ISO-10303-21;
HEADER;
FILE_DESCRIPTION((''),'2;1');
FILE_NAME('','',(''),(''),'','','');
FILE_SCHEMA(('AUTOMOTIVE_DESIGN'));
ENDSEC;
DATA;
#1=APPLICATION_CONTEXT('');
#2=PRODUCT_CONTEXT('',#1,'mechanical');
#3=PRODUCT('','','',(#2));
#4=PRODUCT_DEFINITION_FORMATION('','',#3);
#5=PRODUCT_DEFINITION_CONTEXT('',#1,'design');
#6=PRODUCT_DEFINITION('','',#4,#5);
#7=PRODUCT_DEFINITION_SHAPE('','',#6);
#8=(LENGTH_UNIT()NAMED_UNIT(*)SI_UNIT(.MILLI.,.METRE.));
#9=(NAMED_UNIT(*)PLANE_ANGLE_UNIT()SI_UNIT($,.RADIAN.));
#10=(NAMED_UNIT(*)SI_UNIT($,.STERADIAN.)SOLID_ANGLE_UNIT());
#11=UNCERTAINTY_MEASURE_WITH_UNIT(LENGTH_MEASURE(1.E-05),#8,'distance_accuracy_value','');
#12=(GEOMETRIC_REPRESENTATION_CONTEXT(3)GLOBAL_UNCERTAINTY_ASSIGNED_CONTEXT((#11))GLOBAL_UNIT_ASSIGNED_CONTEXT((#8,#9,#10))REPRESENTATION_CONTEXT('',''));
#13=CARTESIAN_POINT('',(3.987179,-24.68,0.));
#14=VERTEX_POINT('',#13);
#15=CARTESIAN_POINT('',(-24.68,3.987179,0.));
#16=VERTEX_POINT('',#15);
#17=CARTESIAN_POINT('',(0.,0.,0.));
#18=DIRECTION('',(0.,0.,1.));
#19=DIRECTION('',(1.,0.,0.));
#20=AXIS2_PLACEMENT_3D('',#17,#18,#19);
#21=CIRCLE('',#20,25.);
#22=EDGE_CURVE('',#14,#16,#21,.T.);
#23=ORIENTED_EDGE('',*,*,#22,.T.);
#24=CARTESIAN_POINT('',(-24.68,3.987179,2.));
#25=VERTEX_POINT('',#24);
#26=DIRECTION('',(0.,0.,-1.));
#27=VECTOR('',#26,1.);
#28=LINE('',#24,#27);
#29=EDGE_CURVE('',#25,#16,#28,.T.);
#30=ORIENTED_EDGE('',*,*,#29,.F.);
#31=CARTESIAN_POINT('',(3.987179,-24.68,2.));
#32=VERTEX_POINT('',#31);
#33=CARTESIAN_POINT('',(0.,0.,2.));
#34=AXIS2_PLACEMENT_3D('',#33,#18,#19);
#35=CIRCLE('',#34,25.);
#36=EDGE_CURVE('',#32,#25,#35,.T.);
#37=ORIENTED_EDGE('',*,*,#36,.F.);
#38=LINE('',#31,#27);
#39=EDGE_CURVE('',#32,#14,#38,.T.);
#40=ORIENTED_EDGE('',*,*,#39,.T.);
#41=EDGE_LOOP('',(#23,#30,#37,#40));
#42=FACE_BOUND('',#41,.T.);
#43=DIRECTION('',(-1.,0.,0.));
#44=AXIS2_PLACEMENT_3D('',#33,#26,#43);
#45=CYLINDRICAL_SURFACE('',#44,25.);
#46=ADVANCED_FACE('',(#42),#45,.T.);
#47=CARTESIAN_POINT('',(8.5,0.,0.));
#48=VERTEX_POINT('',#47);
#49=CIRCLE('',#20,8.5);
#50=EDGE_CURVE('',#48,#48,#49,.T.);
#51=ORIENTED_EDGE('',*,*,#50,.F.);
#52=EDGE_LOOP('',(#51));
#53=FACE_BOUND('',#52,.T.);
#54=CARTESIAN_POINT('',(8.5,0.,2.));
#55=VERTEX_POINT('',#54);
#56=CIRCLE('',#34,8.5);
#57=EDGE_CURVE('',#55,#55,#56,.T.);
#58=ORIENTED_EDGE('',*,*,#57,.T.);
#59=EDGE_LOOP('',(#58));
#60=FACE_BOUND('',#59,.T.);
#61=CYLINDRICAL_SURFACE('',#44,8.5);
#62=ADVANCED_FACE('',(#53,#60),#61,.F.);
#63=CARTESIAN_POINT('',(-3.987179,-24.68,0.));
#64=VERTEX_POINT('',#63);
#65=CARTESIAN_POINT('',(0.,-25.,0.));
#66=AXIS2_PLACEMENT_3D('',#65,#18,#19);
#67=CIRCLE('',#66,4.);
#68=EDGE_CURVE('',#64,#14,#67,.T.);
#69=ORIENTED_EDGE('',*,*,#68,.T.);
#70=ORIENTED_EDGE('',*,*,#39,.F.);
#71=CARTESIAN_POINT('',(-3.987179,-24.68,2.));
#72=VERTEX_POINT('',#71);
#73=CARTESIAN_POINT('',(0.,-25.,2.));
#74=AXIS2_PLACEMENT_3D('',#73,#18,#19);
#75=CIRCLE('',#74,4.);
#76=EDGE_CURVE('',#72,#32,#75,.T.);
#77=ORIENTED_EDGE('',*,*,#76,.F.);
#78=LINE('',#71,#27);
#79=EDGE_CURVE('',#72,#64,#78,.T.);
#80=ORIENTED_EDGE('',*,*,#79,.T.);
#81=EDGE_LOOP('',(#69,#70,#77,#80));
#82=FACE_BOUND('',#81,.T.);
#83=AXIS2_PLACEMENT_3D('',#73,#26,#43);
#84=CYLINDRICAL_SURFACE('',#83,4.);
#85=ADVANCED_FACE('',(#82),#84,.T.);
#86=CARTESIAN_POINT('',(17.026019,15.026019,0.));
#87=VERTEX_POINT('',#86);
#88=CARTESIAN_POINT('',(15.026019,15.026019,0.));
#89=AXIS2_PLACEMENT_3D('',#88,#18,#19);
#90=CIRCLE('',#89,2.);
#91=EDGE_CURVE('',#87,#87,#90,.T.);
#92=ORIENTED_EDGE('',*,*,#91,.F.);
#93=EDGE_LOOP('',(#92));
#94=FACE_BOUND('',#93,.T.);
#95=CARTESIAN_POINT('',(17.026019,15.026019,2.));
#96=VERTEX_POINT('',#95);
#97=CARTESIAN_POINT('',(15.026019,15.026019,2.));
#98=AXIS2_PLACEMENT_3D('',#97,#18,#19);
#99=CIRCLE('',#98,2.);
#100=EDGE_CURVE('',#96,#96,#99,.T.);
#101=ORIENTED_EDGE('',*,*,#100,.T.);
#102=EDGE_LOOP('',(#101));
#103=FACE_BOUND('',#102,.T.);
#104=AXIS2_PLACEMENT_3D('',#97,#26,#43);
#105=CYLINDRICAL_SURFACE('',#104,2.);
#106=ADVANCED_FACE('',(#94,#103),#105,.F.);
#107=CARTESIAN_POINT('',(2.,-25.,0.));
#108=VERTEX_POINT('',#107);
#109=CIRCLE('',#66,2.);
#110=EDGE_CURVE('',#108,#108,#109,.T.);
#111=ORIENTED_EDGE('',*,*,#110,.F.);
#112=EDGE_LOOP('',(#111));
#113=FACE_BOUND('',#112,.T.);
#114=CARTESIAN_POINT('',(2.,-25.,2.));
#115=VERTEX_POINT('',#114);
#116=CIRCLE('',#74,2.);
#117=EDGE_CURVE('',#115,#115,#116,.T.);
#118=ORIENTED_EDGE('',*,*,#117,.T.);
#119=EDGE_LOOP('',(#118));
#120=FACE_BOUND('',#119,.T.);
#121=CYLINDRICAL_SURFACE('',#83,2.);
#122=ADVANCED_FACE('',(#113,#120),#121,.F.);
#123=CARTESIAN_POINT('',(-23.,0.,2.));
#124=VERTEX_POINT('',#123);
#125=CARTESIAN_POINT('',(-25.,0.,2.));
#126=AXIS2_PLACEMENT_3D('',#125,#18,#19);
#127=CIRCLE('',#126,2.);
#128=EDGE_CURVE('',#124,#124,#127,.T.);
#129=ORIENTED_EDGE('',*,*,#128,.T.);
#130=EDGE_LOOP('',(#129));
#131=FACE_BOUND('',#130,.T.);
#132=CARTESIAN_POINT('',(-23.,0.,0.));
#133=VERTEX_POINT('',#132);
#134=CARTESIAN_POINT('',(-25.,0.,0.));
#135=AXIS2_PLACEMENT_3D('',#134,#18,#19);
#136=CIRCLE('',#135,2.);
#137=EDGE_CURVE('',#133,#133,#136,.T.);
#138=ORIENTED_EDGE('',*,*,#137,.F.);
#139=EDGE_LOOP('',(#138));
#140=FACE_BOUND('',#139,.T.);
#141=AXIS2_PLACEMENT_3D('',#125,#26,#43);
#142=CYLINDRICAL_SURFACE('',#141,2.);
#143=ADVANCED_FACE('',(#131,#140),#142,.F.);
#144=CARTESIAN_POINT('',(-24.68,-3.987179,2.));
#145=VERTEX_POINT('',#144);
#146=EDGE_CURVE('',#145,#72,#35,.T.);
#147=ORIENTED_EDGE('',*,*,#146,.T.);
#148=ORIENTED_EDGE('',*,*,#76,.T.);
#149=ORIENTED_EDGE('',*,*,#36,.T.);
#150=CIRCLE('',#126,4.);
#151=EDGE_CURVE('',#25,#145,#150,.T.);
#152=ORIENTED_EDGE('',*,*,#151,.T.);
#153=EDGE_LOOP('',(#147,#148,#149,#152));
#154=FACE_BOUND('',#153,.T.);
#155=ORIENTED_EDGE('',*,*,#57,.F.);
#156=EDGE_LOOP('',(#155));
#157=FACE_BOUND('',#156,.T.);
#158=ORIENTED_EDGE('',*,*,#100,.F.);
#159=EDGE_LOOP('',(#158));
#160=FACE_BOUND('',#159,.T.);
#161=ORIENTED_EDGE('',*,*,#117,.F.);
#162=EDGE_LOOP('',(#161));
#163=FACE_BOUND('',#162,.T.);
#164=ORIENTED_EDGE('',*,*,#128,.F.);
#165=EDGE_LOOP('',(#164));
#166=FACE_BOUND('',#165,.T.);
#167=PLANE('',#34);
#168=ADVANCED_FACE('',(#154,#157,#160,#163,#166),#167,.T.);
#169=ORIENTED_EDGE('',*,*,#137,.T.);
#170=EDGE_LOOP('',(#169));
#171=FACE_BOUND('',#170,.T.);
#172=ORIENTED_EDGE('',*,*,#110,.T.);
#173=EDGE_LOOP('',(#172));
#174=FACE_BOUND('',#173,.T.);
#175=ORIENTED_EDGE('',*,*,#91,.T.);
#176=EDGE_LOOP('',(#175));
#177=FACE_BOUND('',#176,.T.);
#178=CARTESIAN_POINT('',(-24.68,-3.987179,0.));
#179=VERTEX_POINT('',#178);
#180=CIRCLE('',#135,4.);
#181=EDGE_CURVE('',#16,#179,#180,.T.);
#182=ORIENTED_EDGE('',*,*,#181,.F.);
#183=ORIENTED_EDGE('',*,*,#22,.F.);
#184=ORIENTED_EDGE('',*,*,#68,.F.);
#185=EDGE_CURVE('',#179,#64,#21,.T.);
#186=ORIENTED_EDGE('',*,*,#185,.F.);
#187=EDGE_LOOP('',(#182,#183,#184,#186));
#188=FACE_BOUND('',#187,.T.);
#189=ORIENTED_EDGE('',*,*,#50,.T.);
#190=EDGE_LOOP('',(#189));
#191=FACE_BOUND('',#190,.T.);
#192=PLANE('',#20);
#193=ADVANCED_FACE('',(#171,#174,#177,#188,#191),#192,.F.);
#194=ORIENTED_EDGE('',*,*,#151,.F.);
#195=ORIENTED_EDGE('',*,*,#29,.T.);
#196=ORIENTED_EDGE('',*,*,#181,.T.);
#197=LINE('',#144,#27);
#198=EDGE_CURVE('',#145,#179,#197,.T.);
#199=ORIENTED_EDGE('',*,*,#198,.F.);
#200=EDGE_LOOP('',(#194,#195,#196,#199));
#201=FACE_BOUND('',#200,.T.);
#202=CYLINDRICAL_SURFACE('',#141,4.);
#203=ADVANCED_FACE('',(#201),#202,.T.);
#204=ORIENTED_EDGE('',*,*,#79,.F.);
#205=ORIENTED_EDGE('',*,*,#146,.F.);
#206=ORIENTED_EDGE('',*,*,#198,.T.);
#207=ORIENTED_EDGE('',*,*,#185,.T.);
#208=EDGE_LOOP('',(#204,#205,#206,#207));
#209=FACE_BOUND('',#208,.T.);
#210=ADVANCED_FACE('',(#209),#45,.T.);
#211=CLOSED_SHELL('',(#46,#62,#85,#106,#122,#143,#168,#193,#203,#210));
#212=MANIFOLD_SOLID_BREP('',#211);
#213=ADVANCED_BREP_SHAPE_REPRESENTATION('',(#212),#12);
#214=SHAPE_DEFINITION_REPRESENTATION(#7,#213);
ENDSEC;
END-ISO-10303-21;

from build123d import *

# Parameters (mm, degrees)
SKETCH1_R           = 8.5
SKETCH1_R_2         = 2
BOSS_EXTRUDE1_DEPTH = 2


with BuildPart() as part:
    # Sketch1 → Boss-Extrude1 (new body)
    with BuildSketch(Plane.XY):
        with BuildLine():
            ThreePointArc((-15.03512775, 19.973605922), (-17.88515711, 17.467717514), (-20.323051095, 14.559312971))
            ThreePointArc((-20.323051095, 14.559312971), (-23.11408994, 9.525694004), (-24.68, 3.987179454))
            ThreePointArc((-24.68, 3.987179454), (-29, 0), (-24.68, -3.987179454))
            ThreePointArc((-24.68, -3.987179454), (-17.67766953, -17.67766953), (-3.987179454, -24.68))
            ThreePointArc((-3.987179454, -24.68), (0, -29), (3.987179454, -24.68))
            ThreePointArc((3.987179454, -24.68), (23.000009149, 9.797937495), (-15.03512775, 19.973605922))
        make_face()
        Circle(SKETCH1_R, mode=Mode.SUBTRACT)
        with Locations((0, -25)):
            Circle(SKETCH1_R_2, mode=Mode.SUBTRACT)
        with Locations((15.0260191, 15.0260191)):
            Circle(SKETCH1_R_2, mode=Mode.SUBTRACT)
        with Locations((-25, 0)):
            Circle(SKETCH1_R_2, mode=Mode.SUBTRACT)
    extrude(amount=BOSS_EXTRUDE1_DEPTH)


solid = part.part
